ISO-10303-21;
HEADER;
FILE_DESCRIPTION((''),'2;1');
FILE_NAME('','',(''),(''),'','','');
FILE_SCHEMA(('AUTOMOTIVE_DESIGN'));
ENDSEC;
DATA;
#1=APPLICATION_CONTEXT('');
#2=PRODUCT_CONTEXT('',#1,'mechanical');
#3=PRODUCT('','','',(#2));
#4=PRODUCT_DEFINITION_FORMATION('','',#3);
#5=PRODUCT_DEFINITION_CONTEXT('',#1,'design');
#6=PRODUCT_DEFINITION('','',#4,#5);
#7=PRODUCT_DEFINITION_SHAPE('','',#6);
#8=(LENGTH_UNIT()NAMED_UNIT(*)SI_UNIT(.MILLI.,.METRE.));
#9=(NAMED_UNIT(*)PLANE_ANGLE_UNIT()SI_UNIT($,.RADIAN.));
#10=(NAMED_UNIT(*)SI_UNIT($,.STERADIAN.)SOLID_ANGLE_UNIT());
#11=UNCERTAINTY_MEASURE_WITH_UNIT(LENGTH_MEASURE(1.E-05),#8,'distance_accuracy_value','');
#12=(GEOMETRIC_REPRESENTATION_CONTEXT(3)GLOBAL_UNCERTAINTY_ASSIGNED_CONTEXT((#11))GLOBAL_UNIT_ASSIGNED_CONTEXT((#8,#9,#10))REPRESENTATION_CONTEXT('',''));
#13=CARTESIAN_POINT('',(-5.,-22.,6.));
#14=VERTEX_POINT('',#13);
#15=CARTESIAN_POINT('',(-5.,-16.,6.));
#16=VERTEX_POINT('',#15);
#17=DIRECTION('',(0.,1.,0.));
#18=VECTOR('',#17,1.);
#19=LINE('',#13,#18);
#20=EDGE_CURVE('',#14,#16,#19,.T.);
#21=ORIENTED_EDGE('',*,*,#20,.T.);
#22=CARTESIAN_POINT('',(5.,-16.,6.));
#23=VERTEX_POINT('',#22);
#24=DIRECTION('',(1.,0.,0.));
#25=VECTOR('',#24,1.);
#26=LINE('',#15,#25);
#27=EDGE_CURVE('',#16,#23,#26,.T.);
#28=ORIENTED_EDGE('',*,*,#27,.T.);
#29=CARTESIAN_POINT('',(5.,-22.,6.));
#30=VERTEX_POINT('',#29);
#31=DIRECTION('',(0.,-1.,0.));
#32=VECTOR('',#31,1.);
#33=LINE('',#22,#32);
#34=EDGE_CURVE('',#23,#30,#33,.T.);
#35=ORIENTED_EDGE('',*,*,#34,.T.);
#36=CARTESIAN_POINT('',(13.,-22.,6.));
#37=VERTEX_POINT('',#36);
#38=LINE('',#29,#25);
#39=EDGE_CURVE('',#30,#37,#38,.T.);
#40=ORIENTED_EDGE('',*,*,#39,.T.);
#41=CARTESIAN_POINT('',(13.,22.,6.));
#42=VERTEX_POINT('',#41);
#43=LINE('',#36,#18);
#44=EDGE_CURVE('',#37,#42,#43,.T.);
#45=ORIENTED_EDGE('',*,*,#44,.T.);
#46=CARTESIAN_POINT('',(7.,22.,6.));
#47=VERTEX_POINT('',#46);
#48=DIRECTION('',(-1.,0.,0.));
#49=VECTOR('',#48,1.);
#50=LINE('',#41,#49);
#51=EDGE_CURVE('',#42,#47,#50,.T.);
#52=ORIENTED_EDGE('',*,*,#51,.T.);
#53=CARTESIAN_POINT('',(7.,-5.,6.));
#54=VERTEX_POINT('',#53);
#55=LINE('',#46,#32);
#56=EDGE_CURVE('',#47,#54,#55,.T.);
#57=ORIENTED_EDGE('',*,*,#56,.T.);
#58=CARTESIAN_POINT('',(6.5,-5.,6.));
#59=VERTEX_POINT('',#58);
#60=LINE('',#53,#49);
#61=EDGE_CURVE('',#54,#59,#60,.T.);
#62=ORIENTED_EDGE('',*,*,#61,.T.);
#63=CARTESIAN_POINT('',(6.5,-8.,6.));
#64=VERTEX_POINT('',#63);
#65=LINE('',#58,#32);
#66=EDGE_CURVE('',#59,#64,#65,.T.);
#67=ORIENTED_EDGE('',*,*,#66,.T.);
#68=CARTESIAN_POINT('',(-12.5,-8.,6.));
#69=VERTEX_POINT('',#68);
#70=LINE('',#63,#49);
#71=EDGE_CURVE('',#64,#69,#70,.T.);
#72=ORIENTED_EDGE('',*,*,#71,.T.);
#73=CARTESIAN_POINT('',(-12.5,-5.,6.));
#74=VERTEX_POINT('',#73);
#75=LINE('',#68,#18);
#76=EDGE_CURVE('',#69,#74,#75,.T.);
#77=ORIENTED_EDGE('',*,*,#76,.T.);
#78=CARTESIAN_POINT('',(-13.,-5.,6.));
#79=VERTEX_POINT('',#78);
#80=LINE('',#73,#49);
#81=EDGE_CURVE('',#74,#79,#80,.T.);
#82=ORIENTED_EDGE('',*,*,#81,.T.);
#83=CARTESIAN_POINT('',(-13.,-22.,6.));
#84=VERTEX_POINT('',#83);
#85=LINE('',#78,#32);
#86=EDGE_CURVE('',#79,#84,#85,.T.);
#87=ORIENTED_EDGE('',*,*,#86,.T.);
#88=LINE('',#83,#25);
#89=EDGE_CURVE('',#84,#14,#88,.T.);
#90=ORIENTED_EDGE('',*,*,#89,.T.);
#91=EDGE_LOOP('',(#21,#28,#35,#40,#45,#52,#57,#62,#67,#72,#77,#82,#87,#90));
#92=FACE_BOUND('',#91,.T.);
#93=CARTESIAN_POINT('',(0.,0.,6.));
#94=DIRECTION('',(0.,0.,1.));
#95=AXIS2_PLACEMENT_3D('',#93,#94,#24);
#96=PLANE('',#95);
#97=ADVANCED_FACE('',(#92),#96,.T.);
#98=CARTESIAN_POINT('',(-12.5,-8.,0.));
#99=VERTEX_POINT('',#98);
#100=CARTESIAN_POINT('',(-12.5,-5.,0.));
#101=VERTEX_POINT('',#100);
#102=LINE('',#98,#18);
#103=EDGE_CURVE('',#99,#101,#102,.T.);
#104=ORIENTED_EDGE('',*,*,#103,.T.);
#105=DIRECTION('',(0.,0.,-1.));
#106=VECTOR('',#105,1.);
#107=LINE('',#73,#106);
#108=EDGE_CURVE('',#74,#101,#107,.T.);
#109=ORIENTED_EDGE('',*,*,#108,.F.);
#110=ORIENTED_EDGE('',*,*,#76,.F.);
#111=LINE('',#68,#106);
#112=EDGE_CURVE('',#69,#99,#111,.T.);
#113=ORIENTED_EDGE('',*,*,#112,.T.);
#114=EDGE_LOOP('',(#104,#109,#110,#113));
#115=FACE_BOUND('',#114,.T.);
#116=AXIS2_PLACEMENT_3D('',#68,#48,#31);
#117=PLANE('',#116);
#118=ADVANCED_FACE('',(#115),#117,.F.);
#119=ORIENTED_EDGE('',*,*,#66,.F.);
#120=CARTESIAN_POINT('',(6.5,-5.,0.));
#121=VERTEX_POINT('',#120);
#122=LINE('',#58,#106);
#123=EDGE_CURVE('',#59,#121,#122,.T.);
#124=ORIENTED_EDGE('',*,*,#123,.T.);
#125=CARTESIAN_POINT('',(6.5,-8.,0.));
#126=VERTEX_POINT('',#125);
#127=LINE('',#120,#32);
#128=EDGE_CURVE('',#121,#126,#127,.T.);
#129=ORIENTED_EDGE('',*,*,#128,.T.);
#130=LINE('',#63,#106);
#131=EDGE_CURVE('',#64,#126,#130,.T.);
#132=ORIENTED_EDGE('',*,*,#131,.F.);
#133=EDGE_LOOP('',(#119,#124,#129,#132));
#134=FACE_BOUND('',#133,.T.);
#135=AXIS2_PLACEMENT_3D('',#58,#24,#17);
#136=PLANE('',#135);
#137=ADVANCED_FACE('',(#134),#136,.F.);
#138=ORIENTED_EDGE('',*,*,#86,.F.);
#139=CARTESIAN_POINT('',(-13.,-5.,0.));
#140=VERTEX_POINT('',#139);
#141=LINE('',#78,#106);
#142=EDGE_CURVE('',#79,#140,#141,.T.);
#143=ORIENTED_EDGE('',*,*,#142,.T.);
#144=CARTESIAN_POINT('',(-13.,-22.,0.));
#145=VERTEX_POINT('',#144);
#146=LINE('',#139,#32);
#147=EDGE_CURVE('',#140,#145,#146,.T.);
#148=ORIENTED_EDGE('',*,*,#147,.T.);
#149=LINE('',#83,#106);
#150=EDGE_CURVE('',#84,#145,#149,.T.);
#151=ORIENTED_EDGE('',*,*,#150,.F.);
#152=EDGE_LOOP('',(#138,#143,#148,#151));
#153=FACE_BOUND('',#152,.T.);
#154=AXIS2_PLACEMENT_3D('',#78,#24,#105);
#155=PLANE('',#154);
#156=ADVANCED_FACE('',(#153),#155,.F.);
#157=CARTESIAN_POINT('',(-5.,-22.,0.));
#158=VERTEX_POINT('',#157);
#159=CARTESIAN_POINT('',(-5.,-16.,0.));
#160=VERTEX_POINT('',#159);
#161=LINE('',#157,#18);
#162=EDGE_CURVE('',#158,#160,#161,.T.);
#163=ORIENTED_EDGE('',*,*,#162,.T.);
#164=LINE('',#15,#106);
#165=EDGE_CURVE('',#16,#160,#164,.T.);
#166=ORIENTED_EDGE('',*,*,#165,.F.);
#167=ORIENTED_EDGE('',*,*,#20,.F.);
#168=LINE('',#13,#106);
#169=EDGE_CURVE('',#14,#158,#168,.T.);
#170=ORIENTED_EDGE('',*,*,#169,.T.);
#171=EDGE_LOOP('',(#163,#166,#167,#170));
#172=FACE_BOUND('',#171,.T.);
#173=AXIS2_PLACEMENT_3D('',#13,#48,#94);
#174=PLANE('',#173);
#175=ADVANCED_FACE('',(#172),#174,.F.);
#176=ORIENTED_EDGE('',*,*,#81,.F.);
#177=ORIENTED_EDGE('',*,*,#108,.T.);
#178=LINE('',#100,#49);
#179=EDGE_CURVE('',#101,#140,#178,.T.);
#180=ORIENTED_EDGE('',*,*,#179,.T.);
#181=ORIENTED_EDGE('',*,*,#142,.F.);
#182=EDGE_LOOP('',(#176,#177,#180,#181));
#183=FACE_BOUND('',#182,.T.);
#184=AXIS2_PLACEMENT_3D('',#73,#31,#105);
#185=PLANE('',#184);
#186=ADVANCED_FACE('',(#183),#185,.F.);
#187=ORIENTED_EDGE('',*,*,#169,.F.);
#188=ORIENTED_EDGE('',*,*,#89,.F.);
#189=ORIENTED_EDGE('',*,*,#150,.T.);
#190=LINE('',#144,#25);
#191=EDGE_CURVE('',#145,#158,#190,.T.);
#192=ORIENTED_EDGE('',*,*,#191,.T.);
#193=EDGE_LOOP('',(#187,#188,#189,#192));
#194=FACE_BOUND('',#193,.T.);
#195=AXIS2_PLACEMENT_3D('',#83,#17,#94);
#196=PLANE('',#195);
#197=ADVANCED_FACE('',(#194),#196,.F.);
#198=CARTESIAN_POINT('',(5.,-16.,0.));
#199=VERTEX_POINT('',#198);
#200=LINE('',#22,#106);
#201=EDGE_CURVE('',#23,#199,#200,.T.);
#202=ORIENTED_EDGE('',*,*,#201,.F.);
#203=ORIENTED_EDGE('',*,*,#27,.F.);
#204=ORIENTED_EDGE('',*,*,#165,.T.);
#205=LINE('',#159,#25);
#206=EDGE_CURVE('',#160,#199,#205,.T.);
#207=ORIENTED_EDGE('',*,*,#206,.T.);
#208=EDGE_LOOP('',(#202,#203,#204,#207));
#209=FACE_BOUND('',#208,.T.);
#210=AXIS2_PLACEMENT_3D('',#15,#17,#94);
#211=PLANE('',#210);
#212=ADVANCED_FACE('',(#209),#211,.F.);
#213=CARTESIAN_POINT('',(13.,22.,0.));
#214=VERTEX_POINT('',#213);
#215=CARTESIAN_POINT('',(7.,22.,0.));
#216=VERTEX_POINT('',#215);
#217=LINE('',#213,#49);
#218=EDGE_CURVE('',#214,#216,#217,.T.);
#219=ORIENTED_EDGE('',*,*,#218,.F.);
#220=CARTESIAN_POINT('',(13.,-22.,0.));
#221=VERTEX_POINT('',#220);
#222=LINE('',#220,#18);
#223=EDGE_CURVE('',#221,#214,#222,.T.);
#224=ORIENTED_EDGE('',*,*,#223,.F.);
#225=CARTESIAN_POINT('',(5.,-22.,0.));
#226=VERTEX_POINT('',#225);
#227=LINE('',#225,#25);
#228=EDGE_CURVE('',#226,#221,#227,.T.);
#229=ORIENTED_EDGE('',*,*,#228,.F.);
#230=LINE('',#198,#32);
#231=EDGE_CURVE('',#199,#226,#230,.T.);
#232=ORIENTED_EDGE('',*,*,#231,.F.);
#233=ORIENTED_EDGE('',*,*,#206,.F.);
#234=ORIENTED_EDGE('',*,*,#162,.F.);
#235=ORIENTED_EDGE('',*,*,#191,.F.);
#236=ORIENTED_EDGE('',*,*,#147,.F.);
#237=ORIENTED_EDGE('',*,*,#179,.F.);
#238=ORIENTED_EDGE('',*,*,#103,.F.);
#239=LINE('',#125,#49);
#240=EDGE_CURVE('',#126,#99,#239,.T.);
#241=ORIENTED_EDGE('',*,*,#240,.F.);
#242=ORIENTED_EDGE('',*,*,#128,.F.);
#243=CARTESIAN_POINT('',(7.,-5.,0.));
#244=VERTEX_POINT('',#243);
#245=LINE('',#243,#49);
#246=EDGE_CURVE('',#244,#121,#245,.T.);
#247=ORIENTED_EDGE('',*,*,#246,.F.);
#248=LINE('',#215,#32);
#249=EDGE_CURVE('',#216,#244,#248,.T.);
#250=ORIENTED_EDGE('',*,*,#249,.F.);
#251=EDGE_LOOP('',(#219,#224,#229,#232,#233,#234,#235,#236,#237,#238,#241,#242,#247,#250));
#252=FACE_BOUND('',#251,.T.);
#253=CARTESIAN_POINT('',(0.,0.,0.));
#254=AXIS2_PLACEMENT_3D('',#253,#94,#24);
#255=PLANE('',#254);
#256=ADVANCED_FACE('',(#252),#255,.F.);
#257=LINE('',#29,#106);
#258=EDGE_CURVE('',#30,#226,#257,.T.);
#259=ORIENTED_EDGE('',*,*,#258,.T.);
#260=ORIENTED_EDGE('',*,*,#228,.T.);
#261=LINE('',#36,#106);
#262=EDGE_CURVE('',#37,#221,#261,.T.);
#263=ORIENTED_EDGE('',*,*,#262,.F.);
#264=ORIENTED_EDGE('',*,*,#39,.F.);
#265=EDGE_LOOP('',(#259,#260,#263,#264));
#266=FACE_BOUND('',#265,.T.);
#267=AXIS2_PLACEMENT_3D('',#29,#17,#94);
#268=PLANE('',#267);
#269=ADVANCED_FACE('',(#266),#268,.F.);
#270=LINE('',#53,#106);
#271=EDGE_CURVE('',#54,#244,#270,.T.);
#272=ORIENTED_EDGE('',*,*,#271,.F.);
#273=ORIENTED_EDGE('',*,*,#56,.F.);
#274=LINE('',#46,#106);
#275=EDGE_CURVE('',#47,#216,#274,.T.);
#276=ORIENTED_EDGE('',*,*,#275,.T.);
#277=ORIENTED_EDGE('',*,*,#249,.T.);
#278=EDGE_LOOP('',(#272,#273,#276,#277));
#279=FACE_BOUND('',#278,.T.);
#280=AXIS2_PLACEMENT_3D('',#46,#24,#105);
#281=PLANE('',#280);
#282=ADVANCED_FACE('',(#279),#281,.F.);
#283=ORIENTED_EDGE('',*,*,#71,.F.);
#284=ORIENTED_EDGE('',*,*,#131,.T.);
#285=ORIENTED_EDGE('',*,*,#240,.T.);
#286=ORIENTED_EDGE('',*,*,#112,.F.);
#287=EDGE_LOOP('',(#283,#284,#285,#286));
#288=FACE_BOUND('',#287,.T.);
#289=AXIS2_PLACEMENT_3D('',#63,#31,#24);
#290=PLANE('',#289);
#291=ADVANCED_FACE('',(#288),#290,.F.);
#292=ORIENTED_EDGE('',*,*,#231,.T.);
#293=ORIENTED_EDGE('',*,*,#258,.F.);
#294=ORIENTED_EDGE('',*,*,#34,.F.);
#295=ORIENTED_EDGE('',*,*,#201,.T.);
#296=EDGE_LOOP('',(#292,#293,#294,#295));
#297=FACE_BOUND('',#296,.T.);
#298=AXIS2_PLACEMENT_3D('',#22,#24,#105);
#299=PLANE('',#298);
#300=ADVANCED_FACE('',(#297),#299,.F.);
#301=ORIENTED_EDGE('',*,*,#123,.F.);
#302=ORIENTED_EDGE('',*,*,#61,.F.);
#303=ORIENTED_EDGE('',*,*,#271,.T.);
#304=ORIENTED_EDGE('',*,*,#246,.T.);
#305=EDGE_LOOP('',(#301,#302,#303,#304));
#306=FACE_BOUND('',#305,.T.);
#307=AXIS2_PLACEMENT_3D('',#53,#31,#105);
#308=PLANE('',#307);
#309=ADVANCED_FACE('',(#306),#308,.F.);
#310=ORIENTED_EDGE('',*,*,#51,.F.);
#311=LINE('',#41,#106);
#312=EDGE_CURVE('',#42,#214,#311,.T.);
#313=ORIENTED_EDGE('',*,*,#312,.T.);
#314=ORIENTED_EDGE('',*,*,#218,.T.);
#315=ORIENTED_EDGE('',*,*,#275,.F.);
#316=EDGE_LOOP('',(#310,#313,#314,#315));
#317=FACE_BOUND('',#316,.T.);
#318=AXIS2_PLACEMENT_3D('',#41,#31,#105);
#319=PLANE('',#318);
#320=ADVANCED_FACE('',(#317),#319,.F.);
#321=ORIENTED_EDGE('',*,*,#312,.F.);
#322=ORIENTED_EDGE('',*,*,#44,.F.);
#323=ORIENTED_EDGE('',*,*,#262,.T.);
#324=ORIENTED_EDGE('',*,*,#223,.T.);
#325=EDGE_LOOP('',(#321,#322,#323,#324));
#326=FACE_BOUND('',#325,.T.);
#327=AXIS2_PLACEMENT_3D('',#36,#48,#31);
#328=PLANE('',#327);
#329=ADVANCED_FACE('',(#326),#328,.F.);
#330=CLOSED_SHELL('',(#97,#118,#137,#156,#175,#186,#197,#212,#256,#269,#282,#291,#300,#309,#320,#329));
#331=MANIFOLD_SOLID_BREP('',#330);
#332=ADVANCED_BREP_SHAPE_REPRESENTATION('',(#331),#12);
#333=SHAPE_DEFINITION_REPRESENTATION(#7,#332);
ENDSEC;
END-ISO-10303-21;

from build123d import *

# Parameters (mm, degrees)
BOSS_EXTRU_1_DEPTH = 6


with BuildPart() as part:
    # Esquisse1 → Boss.-Extru.1 (new body)
    with BuildSketch(Plane.XY):
        Polygon((13, -22), (13, 22), (7, 22), (7, -5), (6.5, -5), (6.5, -8), (-12.5, -8), (-12.5, -5), (-13, -5), (-13, -22), (-5, -22), (-5, -16), (5, -16), (5, -22), align=None)
    extrude(amount=BOSS_EXTRU_1_DEPTH)


solid = part.part
